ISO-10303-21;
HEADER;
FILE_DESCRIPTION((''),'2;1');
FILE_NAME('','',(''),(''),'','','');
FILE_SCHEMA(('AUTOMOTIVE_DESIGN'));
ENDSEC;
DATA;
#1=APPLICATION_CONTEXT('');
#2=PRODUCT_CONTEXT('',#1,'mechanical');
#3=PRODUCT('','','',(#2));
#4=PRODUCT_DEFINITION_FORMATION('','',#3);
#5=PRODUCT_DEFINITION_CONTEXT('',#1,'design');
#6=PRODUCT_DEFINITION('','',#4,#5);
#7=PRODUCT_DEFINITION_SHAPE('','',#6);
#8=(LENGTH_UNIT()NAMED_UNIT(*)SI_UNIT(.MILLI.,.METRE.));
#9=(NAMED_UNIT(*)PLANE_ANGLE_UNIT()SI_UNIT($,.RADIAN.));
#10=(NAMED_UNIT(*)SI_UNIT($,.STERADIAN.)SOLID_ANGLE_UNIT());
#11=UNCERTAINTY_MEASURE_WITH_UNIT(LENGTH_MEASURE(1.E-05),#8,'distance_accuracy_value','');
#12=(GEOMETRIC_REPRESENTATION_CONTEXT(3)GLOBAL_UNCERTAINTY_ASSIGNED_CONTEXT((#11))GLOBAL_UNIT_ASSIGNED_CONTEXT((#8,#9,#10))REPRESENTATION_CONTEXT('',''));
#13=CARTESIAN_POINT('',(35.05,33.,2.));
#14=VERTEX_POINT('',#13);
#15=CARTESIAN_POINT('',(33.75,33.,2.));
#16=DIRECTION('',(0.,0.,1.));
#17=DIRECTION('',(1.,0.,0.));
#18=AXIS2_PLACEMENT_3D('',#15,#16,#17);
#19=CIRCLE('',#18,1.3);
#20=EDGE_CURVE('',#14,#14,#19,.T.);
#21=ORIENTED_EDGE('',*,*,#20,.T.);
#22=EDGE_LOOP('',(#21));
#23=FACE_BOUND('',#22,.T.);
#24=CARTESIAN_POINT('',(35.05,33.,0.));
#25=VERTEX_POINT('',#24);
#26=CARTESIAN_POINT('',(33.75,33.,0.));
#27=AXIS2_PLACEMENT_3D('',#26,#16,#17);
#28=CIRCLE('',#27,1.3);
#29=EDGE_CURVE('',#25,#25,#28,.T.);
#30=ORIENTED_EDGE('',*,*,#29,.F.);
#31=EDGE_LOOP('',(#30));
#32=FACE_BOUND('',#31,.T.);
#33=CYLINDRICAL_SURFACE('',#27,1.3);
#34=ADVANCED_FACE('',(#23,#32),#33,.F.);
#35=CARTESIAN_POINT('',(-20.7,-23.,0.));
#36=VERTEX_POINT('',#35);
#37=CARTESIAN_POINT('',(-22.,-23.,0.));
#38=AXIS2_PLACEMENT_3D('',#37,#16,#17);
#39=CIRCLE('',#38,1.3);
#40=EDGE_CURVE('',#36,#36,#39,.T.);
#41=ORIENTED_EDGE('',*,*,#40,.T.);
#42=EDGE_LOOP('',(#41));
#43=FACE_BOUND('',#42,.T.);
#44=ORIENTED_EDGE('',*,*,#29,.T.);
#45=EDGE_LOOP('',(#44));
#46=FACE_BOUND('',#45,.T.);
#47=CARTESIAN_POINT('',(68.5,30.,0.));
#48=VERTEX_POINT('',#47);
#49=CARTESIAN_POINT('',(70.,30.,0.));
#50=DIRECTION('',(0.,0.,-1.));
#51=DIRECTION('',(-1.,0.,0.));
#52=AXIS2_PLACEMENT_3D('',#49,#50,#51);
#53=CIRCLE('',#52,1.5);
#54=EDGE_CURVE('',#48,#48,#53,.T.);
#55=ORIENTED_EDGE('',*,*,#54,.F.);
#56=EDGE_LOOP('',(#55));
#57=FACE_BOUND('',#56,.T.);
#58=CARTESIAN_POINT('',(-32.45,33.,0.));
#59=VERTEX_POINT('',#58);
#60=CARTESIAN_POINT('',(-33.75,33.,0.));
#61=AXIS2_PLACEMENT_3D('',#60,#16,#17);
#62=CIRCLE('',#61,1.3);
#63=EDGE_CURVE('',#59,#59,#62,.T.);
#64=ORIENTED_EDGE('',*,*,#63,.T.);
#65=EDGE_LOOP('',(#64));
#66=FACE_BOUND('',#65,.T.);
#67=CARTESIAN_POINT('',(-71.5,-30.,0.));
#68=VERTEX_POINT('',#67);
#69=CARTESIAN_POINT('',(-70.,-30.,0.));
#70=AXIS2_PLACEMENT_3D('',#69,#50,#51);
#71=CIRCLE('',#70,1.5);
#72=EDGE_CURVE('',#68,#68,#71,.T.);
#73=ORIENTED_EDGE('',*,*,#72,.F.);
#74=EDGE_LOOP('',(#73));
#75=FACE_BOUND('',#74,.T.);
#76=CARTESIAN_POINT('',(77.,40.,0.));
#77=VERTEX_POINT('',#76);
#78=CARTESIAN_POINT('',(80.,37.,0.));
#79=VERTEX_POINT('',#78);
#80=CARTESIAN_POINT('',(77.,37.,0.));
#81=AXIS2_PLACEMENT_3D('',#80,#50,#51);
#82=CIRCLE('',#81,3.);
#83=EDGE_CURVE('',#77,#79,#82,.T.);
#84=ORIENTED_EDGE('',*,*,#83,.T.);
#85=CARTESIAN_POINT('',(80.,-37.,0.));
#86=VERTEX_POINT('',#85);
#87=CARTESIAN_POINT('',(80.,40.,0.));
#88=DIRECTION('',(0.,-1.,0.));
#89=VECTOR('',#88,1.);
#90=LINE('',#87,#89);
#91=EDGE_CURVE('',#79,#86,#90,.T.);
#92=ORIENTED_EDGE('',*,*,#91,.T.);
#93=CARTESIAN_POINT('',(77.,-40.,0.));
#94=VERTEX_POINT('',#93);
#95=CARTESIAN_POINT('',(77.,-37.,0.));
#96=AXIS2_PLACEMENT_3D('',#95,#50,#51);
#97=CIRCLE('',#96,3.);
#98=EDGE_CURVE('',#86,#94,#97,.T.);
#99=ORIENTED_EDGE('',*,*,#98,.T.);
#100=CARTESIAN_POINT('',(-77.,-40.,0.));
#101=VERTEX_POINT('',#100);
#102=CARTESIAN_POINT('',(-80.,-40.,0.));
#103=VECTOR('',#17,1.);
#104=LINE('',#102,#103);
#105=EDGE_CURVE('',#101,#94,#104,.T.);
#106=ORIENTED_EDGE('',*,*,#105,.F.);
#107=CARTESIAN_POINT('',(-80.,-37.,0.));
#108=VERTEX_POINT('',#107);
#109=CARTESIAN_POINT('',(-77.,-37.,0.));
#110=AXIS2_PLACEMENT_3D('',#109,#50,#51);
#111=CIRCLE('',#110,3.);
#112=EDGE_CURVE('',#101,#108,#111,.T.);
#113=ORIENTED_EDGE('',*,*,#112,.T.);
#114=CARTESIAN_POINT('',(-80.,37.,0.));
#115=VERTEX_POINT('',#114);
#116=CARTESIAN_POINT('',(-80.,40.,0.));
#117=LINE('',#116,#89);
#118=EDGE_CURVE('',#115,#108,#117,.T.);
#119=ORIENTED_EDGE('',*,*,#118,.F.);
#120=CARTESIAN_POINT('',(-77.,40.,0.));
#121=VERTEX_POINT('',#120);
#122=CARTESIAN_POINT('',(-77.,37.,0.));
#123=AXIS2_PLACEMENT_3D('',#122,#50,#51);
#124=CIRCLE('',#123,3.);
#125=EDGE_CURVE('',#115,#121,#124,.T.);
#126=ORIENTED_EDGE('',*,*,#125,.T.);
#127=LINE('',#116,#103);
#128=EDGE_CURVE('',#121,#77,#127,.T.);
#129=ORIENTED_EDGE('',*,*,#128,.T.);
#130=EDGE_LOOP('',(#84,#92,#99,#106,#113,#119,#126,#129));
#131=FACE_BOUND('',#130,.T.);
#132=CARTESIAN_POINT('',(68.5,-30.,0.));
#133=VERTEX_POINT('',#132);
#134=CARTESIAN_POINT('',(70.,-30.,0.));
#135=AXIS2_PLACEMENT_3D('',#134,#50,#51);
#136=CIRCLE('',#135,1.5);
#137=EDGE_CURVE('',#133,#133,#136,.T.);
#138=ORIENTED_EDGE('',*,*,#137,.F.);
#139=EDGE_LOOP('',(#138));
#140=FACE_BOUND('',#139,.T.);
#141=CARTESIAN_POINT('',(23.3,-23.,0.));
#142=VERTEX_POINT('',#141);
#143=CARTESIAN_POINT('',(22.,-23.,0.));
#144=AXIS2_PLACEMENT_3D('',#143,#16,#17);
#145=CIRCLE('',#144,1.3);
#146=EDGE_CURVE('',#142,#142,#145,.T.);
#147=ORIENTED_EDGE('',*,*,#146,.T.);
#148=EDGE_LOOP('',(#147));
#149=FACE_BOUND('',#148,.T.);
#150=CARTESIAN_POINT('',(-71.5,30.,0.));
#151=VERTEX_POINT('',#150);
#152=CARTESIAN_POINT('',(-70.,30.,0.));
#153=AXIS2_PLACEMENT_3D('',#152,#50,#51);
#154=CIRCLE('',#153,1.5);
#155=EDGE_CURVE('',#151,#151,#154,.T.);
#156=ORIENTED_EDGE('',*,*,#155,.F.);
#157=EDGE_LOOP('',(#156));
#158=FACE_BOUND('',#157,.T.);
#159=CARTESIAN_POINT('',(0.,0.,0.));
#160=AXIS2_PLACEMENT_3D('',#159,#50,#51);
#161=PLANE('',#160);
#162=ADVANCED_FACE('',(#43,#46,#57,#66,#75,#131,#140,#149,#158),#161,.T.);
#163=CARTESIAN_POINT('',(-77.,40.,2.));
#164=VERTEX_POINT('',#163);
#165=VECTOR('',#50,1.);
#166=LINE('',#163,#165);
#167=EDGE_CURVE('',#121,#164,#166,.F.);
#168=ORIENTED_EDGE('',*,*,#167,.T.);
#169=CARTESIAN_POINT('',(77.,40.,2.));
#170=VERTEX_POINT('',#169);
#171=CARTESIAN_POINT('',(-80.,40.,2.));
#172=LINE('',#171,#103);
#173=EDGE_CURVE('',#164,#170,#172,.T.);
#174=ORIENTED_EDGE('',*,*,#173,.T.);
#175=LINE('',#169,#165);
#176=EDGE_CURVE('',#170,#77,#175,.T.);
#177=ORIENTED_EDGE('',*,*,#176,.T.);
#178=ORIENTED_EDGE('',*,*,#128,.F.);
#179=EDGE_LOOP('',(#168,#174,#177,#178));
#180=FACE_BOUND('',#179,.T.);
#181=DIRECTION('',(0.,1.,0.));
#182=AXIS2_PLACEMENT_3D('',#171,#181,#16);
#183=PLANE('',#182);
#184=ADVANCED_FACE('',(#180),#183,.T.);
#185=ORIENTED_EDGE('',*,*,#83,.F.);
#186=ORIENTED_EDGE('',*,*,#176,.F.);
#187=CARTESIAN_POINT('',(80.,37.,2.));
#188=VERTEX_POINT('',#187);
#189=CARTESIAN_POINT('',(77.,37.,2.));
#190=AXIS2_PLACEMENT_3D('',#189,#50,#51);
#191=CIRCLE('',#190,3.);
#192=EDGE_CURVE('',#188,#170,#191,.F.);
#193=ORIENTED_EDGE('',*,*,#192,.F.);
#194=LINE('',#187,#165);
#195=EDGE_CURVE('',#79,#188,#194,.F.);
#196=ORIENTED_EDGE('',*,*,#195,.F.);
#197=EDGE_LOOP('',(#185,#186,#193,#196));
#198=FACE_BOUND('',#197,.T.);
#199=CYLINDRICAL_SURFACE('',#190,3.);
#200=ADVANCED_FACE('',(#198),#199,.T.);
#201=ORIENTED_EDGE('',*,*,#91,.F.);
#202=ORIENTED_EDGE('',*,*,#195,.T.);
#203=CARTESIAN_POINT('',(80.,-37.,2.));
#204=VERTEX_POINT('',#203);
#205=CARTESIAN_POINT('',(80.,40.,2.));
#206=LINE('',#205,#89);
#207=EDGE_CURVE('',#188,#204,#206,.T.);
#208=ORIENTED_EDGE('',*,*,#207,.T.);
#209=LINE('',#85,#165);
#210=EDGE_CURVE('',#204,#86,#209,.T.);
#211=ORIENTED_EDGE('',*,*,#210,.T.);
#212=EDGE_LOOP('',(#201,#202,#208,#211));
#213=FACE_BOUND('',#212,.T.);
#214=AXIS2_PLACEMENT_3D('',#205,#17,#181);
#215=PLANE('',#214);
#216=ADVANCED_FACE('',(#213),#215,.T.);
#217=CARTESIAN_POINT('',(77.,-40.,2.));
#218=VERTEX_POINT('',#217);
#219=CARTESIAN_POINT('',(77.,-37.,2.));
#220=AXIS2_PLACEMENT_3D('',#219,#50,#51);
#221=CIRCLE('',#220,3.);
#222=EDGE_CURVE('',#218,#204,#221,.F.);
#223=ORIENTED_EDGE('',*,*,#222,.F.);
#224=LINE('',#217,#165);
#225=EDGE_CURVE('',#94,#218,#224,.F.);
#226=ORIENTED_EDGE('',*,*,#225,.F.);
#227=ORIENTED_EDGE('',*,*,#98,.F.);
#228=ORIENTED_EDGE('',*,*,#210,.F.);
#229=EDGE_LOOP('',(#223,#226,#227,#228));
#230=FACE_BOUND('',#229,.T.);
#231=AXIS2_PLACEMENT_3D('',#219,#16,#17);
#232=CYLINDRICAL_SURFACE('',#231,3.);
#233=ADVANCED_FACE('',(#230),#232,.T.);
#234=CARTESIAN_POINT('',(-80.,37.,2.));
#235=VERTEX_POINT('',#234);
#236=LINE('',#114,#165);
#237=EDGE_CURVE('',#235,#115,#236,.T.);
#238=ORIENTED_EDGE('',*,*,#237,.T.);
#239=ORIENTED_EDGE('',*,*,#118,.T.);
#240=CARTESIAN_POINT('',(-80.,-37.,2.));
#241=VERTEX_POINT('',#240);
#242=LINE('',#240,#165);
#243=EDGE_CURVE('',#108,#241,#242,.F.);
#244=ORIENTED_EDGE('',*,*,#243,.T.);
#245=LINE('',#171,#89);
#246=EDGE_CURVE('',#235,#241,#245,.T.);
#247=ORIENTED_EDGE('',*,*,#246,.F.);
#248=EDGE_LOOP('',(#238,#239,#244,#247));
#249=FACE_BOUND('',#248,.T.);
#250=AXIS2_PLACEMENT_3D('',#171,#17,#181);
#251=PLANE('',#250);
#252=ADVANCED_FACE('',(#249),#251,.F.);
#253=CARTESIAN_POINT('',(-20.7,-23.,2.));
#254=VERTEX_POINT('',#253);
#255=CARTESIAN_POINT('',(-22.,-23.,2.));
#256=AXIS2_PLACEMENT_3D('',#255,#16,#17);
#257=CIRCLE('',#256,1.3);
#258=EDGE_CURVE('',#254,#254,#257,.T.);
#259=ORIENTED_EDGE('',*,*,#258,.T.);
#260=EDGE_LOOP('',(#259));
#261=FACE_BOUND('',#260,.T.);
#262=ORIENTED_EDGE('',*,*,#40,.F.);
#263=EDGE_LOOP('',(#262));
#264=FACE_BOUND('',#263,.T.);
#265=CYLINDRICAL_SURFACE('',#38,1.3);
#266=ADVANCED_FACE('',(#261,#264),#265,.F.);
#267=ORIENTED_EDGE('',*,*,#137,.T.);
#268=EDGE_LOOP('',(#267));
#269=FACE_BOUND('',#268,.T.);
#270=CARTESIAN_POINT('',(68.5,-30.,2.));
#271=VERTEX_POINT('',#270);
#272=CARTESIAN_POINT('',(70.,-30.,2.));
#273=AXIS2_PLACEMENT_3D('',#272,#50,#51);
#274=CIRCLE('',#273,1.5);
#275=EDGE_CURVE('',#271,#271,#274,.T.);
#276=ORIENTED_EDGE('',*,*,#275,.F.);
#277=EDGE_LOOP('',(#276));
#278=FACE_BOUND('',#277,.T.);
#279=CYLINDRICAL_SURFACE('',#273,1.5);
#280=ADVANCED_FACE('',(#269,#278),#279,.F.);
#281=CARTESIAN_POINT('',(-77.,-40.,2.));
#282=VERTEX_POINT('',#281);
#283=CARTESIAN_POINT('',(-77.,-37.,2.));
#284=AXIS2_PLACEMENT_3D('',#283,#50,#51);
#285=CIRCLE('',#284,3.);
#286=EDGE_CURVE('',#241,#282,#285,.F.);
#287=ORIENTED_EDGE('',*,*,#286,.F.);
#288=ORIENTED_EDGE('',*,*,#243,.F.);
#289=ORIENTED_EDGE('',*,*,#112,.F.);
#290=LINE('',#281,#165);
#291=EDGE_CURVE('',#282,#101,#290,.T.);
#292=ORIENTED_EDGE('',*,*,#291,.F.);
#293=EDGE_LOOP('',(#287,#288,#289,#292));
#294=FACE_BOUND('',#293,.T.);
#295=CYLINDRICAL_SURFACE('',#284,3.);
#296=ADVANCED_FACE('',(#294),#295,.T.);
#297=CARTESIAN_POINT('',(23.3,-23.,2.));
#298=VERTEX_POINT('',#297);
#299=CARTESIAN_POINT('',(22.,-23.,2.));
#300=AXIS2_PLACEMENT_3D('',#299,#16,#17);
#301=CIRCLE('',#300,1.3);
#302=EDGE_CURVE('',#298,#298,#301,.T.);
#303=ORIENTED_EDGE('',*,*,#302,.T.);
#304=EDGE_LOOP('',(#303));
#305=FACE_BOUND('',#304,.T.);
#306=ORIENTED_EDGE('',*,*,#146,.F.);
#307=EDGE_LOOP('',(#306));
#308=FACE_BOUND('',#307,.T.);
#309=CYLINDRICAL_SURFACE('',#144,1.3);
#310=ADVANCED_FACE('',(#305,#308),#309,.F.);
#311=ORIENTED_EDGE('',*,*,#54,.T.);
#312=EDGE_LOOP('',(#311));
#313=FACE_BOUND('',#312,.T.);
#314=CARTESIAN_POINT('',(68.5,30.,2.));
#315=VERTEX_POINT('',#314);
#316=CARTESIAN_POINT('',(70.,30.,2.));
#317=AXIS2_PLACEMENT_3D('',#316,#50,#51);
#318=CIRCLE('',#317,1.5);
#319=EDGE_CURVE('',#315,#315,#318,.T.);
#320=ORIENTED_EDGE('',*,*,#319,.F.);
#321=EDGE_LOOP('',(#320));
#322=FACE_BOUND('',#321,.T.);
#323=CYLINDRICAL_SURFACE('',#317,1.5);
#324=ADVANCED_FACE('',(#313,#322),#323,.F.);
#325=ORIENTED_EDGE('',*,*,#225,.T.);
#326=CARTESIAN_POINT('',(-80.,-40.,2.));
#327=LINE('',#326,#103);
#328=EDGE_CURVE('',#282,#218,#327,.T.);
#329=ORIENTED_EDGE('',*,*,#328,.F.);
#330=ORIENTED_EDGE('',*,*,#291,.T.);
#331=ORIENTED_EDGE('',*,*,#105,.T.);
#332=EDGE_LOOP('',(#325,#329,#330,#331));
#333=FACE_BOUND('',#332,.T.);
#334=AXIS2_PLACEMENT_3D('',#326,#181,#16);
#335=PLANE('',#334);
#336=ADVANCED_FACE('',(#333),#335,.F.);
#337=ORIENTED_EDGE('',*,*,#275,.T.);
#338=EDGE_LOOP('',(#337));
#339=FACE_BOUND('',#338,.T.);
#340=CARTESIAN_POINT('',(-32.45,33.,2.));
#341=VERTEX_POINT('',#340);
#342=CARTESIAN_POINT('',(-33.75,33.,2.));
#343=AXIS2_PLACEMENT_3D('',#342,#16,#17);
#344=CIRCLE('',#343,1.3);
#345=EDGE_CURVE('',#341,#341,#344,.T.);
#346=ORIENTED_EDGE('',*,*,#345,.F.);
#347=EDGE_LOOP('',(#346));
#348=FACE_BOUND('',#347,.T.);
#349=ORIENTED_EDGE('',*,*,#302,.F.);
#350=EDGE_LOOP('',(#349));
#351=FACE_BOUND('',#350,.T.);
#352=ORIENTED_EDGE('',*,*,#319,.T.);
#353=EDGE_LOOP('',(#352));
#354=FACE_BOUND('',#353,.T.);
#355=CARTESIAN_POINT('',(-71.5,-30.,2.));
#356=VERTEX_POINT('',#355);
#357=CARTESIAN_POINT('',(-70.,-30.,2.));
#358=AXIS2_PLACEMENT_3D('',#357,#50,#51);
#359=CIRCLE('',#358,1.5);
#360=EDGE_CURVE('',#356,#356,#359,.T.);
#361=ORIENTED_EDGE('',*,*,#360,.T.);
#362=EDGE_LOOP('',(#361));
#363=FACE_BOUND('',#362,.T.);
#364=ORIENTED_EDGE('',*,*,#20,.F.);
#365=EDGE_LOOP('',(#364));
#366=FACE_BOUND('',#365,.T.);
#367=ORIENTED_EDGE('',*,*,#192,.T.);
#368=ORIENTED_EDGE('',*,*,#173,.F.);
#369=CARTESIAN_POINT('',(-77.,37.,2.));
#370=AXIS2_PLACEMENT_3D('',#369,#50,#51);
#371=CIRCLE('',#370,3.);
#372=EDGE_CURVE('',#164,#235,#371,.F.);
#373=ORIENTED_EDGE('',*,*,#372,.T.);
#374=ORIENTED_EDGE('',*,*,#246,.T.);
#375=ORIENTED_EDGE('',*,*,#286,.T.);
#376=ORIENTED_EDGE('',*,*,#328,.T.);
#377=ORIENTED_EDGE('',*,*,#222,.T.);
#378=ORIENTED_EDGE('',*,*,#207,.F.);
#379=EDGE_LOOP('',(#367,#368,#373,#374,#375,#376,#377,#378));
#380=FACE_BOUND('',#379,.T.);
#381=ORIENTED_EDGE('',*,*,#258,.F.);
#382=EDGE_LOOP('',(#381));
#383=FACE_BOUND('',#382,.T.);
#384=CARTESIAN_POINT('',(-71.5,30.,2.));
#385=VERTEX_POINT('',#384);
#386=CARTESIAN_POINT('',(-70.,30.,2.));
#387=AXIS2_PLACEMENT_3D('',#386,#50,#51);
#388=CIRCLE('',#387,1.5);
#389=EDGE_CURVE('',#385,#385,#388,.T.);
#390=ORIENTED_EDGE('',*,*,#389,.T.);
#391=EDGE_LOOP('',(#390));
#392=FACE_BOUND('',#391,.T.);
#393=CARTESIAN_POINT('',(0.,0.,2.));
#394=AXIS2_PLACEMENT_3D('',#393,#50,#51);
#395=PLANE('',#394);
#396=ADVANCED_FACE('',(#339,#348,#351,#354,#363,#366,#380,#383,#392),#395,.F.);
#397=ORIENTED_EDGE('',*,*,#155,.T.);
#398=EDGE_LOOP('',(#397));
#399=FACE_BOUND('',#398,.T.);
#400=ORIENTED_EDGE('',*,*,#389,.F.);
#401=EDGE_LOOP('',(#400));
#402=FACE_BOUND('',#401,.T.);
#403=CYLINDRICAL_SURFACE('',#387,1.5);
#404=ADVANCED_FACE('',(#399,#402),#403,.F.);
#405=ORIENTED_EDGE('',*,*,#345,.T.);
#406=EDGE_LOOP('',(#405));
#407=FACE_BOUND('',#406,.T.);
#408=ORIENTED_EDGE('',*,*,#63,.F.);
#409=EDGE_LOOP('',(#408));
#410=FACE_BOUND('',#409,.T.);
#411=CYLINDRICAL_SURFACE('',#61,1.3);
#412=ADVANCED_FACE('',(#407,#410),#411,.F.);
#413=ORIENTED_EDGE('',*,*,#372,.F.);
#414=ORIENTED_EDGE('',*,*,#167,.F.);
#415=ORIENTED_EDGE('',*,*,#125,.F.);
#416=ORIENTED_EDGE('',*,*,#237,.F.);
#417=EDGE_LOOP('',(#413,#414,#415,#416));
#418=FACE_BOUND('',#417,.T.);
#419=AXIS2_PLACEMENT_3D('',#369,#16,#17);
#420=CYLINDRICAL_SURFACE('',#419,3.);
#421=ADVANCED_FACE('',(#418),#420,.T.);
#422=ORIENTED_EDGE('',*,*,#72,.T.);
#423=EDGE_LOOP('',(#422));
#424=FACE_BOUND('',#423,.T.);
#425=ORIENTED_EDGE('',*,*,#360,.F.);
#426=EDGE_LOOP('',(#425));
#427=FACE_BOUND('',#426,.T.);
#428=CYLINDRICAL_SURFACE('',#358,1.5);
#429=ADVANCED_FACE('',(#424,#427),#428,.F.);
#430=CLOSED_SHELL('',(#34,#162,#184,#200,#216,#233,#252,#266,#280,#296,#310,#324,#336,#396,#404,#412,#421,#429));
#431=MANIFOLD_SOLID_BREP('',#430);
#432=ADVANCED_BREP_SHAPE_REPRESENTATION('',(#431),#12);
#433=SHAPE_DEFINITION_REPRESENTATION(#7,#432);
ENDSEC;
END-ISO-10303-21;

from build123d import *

# Parameters (mm, degrees)
SKETCH_1_W          = 160
SKETCH_1_H          = 80
EXTRUDE_1_DEPTH     = 2
SKETCH_2_R          = 1.3
CUT_EXTRUDE_1_DEPTH = 90.465076985
SKETCH_7_R          = 1.5
CUT_EXTRUDE_3_DEPTH = 90.465076985
FILLET_1_R          = 3


with BuildPart() as part:
    # 草图1 → 凸台-拉伸1 (new body)
    with BuildSketch(Plane.XY):
        Rectangle(SKETCH_1_W, SKETCH_1_H)
    extrude(amount=EXTRUDE_1_DEPTH)

    # 草图2 → 切除-拉伸1 (cut, through all)
    with BuildSketch(Plane.XY.offset(2)):
        with Locations((-33.75, 33)):
            Circle(SKETCH_2_R)
        with Locations((33.75, 33)):
            Circle(SKETCH_2_R)
        with Locations((-22, -23)):
            Circle(SKETCH_2_R)
        with Locations((22, -23)):
            Circle(SKETCH_2_R)
    extrude(amount=-CUT_EXTRUDE_1_DEPTH, mode=Mode.SUBTRACT)

    # 草图7 → 切除-拉伸3 (cut, through all)
    with BuildSketch(Plane(origin=(0, 0, 0), x_dir=(-1, 0, 0), z_dir=(0, 0, -1))):
        with Locations((-70, -30)):
            Circle(SKETCH_7_R)
        with Locations((-70, 30)):
            Circle(SKETCH_7_R)
        with Locations((70, 30)):
            Circle(SKETCH_7_R)
        with Locations((70, -30)):
            Circle(SKETCH_7_R)
    extrude(amount=-CUT_EXTRUDE_3_DEPTH, mode=Mode.SUBTRACT)

    # 圆角1
    fillet_1_edges = [part.edges().sort_by_distance(p)[0] for p in [
        (-80, -40, 1),
        (-80, 40, 1),
        (80, 40, 1),
        (80, -40, 1),
    ]]
    fillet(fillet_1_edges, radius=FILLET_1_R)


solid = part.part
